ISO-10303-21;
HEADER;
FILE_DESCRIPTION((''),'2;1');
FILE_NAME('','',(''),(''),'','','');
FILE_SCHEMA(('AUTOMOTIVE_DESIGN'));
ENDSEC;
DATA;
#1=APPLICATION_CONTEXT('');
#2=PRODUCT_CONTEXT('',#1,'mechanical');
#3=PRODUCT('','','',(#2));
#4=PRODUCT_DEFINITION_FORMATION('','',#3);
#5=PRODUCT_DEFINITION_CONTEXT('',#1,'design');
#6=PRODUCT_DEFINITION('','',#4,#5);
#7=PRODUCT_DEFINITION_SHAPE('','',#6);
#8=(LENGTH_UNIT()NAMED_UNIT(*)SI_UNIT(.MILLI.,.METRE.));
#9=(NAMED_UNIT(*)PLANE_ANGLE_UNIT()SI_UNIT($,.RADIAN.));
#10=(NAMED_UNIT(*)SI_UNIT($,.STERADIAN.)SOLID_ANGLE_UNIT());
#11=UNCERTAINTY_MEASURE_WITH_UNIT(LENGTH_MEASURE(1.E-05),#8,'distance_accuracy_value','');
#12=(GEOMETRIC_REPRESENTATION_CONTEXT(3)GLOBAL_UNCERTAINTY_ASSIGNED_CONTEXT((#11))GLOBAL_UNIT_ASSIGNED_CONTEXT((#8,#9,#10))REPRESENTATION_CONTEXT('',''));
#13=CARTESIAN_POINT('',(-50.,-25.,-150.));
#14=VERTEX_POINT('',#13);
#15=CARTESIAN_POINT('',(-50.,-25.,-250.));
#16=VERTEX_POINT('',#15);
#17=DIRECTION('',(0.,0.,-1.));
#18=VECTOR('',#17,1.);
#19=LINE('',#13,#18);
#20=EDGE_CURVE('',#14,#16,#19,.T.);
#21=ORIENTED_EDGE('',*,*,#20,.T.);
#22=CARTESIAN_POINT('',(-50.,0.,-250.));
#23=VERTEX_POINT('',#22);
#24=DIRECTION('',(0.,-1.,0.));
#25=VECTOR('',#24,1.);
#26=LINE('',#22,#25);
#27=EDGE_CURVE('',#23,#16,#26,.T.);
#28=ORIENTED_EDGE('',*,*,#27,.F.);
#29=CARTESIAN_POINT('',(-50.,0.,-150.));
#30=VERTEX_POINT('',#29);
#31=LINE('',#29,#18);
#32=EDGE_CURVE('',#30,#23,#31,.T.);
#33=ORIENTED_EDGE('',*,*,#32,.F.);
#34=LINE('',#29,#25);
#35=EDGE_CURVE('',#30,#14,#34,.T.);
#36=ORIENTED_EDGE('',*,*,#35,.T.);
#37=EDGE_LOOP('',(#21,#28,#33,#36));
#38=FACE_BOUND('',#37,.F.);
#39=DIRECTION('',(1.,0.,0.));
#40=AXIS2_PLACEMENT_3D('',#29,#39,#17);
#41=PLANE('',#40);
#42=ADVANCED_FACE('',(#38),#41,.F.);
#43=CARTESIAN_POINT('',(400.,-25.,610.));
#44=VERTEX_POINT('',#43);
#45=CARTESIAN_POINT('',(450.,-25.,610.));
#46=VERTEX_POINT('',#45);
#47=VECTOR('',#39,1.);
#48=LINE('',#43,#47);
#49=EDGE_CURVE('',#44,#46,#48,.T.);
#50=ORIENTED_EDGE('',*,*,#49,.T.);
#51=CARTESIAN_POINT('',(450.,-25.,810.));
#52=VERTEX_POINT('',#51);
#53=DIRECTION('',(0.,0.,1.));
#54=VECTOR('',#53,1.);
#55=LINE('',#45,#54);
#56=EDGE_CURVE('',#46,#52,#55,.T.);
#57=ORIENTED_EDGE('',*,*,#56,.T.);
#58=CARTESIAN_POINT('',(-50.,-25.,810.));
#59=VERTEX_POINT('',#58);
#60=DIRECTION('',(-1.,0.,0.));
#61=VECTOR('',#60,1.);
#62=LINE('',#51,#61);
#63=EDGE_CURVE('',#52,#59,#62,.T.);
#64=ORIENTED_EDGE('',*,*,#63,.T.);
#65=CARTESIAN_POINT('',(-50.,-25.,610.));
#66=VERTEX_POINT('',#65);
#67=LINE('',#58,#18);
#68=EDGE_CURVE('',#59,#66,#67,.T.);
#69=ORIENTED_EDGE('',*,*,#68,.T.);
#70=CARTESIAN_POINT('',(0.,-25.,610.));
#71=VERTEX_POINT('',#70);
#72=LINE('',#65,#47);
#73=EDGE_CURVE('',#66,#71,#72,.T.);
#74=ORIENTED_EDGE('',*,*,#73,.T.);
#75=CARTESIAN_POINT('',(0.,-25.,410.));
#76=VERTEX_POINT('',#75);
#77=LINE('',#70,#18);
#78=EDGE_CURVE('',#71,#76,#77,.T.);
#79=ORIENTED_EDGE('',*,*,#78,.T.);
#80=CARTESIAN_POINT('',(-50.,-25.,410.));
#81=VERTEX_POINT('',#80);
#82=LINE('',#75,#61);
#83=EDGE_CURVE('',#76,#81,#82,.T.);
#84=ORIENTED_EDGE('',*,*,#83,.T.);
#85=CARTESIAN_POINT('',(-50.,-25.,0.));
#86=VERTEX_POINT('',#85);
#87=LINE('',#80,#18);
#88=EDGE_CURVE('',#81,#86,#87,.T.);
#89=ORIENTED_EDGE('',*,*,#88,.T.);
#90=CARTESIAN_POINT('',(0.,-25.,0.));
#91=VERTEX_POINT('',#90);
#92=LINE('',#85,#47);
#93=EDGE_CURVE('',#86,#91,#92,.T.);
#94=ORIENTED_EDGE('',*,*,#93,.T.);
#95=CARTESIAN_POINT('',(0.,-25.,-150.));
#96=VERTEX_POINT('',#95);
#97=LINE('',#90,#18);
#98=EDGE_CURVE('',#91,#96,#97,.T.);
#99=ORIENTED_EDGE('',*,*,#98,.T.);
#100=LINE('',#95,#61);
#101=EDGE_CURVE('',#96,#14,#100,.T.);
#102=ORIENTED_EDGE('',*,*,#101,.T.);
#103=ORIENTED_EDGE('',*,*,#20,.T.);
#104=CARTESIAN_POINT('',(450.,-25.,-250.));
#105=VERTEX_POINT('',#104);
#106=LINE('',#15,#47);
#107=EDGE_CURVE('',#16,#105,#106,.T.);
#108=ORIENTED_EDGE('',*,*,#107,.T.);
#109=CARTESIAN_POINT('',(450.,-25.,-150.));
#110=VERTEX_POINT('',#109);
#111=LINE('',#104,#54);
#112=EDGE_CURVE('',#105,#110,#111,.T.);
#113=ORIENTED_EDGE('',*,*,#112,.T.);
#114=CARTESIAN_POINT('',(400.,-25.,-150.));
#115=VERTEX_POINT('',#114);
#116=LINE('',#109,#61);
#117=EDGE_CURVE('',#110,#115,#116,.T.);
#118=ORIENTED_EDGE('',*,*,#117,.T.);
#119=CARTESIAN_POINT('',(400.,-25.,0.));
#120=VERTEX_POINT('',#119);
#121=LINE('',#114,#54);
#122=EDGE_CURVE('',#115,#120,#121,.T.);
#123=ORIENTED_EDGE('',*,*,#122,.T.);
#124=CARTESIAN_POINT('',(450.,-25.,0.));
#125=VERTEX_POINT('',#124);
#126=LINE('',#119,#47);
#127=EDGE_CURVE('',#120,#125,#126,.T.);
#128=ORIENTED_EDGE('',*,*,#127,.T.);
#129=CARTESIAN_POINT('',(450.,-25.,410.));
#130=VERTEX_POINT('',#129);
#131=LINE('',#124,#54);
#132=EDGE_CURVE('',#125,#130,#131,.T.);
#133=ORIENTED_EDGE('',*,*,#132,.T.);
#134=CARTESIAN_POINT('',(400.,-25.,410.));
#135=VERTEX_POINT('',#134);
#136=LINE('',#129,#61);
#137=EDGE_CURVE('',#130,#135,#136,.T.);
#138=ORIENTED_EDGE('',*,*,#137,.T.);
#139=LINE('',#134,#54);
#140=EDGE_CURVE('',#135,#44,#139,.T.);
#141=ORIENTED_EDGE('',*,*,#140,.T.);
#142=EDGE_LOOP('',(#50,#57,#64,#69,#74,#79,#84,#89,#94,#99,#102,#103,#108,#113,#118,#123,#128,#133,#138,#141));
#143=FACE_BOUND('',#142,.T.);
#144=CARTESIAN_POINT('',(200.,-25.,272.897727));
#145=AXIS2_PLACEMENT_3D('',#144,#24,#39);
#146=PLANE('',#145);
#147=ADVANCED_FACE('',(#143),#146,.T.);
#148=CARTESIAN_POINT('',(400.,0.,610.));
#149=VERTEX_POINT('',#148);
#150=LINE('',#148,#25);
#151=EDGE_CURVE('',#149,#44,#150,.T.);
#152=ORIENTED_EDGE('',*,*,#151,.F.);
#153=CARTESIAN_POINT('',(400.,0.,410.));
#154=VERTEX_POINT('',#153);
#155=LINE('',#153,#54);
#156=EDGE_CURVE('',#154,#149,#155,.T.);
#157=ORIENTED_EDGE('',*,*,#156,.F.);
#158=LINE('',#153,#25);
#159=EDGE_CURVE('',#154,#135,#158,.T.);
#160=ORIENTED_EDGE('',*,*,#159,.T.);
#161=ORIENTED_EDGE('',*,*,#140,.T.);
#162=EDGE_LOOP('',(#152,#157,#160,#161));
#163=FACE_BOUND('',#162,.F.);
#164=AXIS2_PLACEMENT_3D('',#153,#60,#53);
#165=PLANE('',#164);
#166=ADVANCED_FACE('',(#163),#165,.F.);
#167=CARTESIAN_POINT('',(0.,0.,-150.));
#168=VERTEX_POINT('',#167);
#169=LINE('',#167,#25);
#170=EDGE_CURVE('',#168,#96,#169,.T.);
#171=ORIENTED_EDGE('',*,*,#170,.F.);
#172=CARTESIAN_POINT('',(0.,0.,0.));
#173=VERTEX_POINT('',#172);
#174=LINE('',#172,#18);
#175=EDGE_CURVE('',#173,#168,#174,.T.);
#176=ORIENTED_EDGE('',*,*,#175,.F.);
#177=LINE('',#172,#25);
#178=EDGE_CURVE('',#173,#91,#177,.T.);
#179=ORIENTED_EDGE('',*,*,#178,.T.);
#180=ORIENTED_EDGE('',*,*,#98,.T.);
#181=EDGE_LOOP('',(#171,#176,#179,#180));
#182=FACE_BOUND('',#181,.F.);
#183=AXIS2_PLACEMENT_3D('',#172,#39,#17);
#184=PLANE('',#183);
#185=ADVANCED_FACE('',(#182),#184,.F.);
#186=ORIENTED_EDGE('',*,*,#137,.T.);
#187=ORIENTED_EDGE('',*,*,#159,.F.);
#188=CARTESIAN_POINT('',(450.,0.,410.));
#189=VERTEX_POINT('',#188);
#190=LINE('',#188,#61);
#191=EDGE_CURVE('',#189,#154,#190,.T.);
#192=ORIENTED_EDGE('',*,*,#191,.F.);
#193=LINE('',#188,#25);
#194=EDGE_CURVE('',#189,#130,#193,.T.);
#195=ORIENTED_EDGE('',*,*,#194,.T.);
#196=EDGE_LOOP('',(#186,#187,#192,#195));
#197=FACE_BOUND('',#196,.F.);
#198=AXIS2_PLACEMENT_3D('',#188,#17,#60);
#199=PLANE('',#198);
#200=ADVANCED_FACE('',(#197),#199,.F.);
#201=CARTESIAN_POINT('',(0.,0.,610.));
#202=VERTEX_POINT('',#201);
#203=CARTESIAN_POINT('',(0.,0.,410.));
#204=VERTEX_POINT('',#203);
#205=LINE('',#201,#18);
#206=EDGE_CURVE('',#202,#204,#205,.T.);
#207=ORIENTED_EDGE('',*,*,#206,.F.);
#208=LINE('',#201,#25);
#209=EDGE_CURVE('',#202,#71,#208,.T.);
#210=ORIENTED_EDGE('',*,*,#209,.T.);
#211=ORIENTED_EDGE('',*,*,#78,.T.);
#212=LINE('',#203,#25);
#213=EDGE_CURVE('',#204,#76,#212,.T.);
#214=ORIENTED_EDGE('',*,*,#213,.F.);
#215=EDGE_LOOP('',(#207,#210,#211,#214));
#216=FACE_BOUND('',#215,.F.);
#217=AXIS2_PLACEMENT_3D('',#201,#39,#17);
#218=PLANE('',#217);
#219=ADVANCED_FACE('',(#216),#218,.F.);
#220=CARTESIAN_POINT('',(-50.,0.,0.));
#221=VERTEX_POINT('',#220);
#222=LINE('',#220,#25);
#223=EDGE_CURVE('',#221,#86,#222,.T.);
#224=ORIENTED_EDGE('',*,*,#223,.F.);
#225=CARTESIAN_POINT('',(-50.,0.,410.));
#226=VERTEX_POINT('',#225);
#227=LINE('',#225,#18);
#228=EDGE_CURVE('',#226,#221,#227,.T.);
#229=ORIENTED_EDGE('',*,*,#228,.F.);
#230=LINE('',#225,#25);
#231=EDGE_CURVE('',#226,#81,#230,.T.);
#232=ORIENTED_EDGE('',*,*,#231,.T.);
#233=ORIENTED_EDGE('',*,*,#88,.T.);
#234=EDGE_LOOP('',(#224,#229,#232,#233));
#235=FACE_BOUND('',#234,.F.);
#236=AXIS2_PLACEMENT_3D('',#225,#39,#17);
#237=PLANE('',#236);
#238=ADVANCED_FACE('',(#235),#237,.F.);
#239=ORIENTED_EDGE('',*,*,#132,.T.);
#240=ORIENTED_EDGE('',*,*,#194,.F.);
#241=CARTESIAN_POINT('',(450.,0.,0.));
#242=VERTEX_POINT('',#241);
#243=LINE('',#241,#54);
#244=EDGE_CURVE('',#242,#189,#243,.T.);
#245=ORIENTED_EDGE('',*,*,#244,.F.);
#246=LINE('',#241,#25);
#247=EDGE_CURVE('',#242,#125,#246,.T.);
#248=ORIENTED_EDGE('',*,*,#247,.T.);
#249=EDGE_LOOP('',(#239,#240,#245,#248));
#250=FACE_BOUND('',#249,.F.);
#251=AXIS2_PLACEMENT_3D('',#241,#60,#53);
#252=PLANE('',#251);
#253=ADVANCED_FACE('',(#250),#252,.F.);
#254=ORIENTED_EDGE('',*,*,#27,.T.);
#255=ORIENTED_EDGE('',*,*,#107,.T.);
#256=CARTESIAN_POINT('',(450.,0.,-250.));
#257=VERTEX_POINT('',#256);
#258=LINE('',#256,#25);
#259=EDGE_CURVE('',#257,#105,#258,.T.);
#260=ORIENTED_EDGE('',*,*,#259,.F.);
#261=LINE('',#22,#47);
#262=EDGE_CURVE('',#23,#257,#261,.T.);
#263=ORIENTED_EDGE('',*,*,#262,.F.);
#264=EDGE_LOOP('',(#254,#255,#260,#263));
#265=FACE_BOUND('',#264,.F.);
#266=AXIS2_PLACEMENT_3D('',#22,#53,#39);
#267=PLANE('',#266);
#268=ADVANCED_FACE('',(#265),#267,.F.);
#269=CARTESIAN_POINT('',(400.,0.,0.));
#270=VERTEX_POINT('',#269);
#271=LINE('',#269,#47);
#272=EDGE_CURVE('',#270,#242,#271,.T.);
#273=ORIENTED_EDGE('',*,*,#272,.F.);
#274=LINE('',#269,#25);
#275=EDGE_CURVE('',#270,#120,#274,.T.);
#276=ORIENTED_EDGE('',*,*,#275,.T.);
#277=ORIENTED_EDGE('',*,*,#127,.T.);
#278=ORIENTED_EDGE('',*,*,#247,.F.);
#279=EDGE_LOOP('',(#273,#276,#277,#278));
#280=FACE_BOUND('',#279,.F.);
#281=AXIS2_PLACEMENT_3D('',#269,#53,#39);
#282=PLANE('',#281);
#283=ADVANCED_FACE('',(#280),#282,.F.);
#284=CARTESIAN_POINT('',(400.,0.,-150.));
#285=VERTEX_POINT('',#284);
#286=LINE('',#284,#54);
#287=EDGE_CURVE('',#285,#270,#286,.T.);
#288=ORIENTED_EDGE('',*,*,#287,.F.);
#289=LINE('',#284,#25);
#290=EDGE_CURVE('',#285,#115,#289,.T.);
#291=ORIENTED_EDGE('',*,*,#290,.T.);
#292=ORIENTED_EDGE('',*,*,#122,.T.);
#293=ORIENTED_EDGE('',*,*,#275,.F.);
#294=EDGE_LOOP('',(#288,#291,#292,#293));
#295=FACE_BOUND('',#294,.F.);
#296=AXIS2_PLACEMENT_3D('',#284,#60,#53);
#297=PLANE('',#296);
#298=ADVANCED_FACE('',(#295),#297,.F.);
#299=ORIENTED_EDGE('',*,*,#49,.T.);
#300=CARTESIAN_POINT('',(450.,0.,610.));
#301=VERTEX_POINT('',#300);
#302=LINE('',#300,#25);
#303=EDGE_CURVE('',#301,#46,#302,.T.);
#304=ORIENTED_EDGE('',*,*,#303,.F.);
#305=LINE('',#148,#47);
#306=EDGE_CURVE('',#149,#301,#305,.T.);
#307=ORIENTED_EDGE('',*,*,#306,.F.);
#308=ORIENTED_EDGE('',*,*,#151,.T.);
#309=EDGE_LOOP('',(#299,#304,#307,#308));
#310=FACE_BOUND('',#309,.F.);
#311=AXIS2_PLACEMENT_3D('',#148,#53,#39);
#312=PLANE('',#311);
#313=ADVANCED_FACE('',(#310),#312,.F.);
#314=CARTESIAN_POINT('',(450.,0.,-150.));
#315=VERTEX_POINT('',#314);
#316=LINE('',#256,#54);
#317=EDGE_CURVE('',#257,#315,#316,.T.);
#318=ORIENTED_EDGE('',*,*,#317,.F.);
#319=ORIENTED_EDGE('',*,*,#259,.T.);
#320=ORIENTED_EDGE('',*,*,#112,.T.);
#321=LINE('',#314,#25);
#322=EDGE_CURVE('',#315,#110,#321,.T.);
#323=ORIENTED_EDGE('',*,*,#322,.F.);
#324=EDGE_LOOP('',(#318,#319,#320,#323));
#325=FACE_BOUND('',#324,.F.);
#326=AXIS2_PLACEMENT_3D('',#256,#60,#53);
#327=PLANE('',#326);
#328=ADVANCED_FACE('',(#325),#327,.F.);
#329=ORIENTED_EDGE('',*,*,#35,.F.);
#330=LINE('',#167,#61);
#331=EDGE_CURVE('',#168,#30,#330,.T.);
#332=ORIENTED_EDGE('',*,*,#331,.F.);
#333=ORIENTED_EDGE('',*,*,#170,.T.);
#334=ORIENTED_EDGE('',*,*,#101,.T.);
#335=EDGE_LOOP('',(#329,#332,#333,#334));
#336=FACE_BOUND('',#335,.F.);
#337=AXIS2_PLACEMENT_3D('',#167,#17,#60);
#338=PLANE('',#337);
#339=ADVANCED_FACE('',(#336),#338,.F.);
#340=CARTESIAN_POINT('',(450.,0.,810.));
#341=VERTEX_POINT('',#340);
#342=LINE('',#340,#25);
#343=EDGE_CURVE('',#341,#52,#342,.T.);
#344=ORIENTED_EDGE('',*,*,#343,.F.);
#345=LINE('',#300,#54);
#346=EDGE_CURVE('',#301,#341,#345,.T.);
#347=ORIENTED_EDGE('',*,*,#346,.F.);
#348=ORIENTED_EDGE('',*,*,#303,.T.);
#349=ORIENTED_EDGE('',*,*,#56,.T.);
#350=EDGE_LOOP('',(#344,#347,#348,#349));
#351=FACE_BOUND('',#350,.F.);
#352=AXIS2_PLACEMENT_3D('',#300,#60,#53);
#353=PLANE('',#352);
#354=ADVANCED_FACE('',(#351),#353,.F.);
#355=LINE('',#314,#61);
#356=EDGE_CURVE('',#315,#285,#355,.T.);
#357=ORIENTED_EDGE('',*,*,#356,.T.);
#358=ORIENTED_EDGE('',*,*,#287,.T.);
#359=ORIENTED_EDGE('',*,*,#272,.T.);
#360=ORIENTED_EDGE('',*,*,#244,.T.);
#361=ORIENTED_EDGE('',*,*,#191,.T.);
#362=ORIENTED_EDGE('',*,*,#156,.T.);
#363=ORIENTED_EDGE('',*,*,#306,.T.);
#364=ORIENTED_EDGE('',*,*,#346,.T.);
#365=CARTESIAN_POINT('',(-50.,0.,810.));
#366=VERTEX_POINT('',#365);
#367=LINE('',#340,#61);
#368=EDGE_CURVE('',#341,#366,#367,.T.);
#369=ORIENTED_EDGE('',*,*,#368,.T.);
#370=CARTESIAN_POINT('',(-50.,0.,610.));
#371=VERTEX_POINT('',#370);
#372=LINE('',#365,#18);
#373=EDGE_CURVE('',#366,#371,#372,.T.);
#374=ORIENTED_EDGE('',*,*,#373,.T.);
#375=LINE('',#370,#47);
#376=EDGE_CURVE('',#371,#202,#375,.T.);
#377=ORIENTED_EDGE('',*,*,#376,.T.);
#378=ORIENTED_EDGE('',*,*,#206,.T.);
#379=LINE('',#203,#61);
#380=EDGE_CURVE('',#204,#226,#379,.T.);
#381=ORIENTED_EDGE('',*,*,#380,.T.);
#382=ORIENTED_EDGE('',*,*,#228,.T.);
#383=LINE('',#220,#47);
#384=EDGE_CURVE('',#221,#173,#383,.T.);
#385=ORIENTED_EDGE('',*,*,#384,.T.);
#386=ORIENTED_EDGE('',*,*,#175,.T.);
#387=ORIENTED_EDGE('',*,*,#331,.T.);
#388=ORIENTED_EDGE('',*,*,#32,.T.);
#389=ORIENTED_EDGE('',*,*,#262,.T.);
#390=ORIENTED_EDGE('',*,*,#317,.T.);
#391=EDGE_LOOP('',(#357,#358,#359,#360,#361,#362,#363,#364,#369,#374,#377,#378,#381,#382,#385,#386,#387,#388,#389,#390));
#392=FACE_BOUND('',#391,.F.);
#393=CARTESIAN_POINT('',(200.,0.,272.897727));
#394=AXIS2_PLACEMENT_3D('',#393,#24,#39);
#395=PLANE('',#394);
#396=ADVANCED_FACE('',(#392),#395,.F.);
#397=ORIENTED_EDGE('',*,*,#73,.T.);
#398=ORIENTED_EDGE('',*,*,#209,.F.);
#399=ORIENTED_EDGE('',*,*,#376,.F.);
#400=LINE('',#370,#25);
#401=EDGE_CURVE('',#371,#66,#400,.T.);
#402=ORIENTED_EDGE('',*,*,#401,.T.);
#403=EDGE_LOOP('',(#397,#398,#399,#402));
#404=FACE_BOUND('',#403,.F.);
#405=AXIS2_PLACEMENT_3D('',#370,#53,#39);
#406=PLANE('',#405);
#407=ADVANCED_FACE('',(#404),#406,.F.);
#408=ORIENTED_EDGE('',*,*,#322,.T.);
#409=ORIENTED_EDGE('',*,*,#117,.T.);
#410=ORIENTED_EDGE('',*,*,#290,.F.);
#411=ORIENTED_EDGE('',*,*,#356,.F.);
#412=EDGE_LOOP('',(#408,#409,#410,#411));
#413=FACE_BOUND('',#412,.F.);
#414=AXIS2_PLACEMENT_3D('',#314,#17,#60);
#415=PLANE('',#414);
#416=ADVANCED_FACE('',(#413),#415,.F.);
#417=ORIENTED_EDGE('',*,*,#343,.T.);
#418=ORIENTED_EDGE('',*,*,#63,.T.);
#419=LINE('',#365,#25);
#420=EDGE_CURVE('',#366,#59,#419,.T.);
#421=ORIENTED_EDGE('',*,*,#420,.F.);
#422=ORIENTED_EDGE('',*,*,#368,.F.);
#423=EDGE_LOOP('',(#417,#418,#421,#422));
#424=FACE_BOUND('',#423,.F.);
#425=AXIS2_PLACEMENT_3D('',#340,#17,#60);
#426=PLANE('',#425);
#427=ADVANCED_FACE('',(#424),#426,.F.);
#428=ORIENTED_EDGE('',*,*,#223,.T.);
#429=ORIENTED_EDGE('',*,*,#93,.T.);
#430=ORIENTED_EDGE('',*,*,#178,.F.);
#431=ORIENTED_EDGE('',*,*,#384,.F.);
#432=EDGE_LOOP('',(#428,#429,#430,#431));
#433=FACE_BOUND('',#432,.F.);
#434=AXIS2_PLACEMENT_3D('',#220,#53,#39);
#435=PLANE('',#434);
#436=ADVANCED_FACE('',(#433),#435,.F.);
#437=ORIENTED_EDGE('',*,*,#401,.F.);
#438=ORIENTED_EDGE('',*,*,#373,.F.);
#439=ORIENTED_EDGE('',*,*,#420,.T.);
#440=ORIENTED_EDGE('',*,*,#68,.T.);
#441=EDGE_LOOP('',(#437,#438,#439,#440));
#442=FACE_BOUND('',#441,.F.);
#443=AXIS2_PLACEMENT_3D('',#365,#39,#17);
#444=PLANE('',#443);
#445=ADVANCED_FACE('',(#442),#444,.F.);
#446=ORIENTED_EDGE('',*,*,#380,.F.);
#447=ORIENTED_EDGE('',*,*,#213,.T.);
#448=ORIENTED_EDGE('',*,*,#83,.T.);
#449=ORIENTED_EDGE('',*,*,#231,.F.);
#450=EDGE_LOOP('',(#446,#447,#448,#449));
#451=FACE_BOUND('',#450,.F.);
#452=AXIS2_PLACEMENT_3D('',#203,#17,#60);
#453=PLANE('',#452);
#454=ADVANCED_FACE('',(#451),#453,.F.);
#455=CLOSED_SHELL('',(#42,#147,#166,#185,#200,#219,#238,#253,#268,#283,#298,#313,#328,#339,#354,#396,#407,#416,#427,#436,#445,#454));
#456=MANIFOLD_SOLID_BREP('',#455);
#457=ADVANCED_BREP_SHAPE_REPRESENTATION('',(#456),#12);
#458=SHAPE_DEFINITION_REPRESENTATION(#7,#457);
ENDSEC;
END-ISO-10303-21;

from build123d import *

# Parameters (mm, degrees)
F1_DEPTH = 25


with BuildPart() as f1:
    # F0 (on Front) → F1 (new body)
    with BuildSketch(Plane.XZ):
        Polygon((450, 810), (-50, 810), (-50, 610), (0, 610), (0, 410), (-50, 410), (-50, 200), (-50, 0), (0, 0), (0, -150), (-50, -150), (-50, -250), (450, -250), (450, -150), (400, -150), (400, 0), (450, 0), (450, 200), (450, 410), (400, 410), (400, 610), (450, 610), align=None)
    extrude(amount=F1_DEPTH)


solid = f1.part
